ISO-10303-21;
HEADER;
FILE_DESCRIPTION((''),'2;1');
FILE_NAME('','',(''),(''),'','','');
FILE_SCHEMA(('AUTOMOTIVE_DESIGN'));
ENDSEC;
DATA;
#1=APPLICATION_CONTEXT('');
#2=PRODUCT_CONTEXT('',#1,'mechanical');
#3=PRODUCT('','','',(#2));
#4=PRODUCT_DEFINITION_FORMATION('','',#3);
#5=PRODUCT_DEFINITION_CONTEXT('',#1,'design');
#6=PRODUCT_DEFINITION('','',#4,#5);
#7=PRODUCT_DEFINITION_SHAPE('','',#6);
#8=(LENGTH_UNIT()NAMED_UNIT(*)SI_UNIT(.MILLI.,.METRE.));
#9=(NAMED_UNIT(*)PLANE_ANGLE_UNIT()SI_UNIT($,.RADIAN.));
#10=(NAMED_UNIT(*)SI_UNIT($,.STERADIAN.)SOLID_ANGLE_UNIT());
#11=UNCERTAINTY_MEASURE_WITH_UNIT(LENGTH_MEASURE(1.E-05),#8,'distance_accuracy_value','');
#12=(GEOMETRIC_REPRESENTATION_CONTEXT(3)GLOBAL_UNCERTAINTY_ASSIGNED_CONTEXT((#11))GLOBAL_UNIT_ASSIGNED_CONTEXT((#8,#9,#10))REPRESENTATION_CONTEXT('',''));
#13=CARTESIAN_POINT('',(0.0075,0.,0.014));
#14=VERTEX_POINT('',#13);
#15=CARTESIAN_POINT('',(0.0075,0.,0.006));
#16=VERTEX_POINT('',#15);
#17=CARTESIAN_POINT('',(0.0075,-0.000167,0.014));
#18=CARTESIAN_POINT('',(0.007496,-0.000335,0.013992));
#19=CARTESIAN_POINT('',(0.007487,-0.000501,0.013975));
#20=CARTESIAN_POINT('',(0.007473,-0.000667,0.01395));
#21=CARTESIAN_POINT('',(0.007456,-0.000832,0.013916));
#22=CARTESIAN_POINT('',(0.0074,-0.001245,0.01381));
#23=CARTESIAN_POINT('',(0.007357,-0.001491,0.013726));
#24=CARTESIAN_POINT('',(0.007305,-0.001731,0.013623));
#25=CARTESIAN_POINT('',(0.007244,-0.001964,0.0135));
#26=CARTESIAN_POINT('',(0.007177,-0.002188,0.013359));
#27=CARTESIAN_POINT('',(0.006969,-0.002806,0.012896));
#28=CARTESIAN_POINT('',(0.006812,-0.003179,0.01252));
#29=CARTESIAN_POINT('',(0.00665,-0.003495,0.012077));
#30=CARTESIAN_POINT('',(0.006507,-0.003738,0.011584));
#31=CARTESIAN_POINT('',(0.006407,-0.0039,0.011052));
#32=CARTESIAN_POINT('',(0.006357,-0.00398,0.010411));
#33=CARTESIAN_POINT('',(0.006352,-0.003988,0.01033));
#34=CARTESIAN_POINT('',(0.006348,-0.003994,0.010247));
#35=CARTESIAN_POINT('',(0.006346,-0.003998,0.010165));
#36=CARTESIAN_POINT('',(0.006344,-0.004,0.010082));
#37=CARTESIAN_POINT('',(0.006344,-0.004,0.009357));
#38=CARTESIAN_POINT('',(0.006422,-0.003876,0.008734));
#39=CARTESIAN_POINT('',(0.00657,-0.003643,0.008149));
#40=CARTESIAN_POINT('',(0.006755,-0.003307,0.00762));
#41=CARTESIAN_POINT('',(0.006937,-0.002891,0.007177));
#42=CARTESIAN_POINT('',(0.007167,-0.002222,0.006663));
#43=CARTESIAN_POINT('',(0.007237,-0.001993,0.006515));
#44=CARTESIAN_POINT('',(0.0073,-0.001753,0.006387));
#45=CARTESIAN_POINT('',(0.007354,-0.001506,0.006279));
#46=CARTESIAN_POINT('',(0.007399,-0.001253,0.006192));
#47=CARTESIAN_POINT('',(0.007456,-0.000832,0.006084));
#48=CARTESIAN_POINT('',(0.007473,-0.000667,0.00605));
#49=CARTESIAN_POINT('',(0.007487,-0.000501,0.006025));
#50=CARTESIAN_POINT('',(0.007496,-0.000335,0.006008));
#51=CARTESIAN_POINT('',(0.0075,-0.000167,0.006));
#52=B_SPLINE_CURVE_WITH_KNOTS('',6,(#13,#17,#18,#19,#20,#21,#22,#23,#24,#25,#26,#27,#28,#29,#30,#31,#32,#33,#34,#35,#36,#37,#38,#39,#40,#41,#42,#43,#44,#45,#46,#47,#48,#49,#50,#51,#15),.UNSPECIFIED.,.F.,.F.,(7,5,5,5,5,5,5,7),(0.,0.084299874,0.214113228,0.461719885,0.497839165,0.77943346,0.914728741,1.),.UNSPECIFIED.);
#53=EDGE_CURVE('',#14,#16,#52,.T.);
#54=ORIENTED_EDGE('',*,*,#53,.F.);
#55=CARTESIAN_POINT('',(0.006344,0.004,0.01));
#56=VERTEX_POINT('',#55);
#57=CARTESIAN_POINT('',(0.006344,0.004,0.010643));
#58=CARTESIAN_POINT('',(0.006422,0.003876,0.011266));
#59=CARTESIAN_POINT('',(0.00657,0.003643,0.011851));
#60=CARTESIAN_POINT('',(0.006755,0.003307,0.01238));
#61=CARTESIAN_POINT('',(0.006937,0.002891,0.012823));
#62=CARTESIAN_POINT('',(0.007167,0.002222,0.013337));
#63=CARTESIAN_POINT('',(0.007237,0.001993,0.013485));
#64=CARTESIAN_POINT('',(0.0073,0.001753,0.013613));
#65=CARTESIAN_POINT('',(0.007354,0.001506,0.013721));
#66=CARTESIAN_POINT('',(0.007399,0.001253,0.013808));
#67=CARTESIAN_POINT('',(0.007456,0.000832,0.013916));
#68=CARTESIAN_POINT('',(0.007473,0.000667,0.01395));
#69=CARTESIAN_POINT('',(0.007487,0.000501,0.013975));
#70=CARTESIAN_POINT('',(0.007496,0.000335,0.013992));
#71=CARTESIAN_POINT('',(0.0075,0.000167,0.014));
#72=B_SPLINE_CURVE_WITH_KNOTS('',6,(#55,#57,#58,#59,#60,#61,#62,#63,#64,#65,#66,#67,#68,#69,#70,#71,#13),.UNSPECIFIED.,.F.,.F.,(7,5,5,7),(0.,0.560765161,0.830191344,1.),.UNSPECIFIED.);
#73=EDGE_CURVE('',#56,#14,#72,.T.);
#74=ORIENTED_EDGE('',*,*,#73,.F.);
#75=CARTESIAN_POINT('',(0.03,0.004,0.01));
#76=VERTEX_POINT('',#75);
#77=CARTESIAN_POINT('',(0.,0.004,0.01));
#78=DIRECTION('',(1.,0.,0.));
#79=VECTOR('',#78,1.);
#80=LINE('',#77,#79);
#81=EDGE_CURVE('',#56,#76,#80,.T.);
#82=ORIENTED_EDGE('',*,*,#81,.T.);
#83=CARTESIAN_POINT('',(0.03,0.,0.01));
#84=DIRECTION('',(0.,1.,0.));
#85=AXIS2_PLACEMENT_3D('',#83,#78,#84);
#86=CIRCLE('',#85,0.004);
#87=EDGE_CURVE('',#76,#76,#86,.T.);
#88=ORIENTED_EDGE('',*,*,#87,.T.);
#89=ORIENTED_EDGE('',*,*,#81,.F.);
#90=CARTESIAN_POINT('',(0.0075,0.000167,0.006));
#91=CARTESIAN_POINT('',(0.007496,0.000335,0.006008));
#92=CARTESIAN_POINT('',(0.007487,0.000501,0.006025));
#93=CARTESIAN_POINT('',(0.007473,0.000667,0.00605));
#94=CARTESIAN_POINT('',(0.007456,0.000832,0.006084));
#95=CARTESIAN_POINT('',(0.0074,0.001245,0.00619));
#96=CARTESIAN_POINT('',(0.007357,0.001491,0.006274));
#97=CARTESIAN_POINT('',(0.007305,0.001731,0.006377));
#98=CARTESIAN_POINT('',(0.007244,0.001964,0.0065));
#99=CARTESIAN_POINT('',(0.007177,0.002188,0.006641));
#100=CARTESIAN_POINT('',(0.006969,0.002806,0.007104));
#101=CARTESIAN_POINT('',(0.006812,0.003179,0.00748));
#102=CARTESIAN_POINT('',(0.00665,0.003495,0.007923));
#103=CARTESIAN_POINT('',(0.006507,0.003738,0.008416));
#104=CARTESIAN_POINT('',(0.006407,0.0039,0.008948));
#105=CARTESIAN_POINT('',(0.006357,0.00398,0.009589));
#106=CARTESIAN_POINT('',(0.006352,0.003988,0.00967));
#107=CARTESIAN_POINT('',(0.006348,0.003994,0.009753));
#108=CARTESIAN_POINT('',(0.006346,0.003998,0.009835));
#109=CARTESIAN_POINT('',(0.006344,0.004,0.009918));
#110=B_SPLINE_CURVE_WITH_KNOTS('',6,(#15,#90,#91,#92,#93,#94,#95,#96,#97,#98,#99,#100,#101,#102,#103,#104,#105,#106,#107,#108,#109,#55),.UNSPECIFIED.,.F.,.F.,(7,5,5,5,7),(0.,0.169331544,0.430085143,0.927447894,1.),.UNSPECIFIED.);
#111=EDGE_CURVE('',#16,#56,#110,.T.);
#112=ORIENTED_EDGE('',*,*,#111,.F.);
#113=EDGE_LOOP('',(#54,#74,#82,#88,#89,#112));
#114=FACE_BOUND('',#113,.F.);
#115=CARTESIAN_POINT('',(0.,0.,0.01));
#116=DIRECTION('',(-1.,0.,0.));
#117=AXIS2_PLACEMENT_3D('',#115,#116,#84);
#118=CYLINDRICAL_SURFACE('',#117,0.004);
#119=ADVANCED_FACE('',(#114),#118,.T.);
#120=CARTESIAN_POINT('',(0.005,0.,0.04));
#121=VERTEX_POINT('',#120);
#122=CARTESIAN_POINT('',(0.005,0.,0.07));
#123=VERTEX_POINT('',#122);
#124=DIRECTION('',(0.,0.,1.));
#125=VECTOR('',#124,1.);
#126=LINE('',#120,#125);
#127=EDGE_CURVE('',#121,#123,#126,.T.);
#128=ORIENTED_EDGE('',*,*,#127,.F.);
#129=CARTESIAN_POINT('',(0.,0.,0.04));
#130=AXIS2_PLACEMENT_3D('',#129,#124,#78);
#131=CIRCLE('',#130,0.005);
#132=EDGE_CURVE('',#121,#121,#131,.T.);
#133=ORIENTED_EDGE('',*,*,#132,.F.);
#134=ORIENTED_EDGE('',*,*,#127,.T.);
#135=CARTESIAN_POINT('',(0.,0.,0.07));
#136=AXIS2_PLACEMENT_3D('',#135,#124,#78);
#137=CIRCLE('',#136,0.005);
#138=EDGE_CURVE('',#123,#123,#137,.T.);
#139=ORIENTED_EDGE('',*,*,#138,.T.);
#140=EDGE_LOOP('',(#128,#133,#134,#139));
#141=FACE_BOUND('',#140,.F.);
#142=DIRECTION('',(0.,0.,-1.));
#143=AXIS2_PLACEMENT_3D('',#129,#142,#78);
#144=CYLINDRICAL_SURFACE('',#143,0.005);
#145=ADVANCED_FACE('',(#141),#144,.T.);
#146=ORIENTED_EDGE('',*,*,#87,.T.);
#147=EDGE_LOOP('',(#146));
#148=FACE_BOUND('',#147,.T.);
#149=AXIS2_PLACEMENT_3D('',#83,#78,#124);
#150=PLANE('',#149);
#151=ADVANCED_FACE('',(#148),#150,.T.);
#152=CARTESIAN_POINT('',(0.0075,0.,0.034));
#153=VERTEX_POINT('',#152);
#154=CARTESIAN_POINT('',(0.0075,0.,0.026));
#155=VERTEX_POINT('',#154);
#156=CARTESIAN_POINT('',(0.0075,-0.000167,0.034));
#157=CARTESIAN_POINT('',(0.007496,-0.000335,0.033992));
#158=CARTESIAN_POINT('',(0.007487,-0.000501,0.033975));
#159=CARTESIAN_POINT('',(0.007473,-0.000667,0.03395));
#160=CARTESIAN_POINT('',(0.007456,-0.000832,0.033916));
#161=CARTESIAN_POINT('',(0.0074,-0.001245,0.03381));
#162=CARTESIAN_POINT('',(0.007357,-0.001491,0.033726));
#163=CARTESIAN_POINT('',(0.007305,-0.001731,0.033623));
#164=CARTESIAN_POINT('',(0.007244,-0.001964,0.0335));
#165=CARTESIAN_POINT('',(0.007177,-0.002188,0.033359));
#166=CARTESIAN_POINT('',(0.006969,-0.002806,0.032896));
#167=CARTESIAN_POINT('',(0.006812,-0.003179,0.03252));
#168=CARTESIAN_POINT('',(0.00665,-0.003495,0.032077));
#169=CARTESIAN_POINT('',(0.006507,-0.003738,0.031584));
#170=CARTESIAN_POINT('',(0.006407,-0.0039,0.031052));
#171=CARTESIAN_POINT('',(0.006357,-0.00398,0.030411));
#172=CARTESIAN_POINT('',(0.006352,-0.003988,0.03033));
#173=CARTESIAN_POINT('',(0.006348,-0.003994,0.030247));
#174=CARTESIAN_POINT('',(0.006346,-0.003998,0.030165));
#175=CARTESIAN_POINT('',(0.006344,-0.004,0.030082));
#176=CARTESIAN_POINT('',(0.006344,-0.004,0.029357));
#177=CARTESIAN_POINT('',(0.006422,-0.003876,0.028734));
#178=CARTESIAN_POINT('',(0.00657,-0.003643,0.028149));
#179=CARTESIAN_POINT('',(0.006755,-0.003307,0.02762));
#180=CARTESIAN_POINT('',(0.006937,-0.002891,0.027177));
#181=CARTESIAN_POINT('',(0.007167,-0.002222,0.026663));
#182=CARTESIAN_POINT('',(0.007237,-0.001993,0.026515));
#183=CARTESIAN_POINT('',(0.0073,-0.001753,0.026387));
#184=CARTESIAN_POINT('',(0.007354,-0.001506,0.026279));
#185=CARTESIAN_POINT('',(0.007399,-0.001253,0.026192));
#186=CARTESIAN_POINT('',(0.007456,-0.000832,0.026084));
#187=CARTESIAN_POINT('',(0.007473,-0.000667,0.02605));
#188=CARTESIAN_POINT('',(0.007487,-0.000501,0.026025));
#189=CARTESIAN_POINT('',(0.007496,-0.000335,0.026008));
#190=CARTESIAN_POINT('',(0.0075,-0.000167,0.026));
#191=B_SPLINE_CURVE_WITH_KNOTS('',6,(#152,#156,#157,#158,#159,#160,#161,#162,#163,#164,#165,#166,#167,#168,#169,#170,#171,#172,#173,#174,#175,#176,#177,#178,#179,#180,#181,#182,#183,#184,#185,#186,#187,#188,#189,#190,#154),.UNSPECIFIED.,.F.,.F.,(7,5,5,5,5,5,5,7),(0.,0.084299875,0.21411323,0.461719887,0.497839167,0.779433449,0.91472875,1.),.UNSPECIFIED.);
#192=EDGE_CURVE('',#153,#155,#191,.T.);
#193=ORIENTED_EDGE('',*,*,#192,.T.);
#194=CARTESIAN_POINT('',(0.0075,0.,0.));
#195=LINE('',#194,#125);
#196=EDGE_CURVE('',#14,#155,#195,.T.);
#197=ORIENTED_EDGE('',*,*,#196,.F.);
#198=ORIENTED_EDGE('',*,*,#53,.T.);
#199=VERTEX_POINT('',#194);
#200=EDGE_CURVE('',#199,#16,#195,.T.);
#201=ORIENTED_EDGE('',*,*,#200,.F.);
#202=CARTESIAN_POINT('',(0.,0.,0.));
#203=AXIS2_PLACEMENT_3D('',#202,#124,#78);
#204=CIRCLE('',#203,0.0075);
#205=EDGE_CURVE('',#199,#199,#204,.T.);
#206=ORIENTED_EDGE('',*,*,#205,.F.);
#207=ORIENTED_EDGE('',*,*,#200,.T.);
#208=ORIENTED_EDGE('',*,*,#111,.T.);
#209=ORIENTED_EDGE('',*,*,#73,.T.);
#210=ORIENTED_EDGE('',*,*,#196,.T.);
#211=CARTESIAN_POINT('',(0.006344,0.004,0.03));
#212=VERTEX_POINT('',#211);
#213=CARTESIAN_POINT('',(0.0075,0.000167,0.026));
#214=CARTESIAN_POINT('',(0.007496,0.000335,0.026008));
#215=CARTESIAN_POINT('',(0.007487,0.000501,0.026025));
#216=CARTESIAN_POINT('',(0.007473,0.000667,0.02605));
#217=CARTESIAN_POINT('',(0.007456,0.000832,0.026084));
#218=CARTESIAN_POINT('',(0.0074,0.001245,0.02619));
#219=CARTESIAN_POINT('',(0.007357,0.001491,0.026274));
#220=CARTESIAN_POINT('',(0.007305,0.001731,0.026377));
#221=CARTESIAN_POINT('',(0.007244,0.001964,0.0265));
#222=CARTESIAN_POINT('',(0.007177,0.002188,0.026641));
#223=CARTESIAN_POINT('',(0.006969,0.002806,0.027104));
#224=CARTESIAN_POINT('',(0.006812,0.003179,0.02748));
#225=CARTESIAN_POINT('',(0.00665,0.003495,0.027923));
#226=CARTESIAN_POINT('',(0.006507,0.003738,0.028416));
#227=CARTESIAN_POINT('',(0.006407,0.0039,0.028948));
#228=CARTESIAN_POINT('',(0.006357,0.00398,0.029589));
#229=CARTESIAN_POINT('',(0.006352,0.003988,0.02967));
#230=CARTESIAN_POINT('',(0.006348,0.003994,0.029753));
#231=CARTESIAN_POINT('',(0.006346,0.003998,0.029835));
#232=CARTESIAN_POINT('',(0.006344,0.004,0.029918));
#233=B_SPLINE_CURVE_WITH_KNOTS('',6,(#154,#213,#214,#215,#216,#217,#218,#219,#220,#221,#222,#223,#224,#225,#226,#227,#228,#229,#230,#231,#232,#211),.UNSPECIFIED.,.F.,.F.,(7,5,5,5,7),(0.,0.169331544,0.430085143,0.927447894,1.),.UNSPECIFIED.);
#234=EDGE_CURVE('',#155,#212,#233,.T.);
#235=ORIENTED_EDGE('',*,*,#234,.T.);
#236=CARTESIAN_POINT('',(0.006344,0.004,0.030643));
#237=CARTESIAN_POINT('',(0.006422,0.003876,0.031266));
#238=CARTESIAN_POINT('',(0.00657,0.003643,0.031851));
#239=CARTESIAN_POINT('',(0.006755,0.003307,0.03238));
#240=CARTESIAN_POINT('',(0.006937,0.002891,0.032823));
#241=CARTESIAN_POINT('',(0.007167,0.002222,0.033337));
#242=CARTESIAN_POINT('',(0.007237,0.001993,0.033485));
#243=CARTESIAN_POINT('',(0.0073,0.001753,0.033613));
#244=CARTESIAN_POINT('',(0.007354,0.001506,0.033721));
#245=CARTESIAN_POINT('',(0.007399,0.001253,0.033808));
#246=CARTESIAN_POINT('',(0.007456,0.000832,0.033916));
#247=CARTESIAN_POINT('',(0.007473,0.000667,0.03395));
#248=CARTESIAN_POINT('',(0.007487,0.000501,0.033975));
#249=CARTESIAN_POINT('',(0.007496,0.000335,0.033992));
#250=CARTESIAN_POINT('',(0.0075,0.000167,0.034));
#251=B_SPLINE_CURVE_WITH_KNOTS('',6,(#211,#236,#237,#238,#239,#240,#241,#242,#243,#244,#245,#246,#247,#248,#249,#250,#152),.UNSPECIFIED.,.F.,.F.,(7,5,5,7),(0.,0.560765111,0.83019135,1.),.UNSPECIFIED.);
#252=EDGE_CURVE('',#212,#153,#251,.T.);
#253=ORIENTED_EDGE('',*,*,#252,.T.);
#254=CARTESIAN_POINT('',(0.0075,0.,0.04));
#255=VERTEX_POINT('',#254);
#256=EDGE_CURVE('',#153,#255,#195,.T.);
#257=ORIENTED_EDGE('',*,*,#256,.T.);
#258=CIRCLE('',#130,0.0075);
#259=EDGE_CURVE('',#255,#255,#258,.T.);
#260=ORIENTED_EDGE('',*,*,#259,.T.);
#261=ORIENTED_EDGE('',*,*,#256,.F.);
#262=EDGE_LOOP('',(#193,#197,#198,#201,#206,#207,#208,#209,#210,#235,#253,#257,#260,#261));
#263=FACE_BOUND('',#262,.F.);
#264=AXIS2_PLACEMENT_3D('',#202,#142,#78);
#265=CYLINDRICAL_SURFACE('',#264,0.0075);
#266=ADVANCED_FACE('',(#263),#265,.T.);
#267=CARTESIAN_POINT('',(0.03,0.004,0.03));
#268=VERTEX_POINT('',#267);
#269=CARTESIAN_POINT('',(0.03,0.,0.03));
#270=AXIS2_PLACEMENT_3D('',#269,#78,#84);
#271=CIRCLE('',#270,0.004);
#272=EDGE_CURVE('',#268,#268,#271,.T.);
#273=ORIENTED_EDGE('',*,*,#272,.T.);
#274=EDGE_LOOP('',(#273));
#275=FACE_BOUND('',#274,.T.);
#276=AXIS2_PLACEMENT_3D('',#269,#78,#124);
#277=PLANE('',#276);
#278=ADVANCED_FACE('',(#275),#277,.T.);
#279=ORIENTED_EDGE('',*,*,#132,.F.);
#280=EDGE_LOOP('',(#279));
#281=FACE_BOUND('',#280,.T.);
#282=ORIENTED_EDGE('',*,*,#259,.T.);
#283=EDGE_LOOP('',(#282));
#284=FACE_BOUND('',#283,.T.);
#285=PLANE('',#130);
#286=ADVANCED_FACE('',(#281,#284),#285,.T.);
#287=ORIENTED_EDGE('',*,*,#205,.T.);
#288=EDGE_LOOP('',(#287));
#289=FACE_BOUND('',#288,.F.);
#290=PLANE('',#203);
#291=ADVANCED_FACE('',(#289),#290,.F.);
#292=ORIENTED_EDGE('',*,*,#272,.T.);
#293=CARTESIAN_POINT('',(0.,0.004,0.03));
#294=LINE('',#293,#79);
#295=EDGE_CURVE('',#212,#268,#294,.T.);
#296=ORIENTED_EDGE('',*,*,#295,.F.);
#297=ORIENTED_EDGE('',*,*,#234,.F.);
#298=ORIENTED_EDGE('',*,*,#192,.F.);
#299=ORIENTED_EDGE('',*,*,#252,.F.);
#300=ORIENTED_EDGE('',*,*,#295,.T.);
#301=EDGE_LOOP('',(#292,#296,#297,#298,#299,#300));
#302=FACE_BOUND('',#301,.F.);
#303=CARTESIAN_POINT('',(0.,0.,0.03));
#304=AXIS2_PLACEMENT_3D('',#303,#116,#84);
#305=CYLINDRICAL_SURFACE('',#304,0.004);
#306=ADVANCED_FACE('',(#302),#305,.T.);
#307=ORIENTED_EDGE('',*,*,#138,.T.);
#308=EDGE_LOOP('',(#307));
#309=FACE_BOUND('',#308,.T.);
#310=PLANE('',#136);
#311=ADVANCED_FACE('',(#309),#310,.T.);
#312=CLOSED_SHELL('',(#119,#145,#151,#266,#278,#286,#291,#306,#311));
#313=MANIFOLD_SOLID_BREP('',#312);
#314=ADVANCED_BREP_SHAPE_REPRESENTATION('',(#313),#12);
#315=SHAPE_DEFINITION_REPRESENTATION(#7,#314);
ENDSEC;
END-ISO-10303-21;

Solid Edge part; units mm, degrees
sketch "Sketch1" plane through (0, 0, 0) normal (0, 0, 1) x (1, 0, 0)
  circle A0 centre (0, 0) radius 0.0075
  dimension "D1" = 0.015
extrude "Protrusion1" add sketch "Sketch1" along normal blind 0.04
sketch "Sketch2" plane through (0, 0, 0.04) normal (0, 0, 1) x (1, 0, 0)
  circle A0 centre (0, 0) radius 0.005
  dimension "D1" = 0.01
extrude "Ausprägung_2" add sketch "Sketch2" along normal blind 0.03
sketch "Sketch3" plane through (0, 0, 0) normal (1, 0, 0) x (0, 1, 0)
  circle A0 centre (0, 0.01) radius 0.004
  circle A1 centre (0, 0.03) radius 0.004
  dimension "D1" = 0.01
  dimension "D2" = 0.02
  dimension "D3" = 0.008
extrude "Ausprägung_3" add sketch "Sketch3" along normal blind 0.03
